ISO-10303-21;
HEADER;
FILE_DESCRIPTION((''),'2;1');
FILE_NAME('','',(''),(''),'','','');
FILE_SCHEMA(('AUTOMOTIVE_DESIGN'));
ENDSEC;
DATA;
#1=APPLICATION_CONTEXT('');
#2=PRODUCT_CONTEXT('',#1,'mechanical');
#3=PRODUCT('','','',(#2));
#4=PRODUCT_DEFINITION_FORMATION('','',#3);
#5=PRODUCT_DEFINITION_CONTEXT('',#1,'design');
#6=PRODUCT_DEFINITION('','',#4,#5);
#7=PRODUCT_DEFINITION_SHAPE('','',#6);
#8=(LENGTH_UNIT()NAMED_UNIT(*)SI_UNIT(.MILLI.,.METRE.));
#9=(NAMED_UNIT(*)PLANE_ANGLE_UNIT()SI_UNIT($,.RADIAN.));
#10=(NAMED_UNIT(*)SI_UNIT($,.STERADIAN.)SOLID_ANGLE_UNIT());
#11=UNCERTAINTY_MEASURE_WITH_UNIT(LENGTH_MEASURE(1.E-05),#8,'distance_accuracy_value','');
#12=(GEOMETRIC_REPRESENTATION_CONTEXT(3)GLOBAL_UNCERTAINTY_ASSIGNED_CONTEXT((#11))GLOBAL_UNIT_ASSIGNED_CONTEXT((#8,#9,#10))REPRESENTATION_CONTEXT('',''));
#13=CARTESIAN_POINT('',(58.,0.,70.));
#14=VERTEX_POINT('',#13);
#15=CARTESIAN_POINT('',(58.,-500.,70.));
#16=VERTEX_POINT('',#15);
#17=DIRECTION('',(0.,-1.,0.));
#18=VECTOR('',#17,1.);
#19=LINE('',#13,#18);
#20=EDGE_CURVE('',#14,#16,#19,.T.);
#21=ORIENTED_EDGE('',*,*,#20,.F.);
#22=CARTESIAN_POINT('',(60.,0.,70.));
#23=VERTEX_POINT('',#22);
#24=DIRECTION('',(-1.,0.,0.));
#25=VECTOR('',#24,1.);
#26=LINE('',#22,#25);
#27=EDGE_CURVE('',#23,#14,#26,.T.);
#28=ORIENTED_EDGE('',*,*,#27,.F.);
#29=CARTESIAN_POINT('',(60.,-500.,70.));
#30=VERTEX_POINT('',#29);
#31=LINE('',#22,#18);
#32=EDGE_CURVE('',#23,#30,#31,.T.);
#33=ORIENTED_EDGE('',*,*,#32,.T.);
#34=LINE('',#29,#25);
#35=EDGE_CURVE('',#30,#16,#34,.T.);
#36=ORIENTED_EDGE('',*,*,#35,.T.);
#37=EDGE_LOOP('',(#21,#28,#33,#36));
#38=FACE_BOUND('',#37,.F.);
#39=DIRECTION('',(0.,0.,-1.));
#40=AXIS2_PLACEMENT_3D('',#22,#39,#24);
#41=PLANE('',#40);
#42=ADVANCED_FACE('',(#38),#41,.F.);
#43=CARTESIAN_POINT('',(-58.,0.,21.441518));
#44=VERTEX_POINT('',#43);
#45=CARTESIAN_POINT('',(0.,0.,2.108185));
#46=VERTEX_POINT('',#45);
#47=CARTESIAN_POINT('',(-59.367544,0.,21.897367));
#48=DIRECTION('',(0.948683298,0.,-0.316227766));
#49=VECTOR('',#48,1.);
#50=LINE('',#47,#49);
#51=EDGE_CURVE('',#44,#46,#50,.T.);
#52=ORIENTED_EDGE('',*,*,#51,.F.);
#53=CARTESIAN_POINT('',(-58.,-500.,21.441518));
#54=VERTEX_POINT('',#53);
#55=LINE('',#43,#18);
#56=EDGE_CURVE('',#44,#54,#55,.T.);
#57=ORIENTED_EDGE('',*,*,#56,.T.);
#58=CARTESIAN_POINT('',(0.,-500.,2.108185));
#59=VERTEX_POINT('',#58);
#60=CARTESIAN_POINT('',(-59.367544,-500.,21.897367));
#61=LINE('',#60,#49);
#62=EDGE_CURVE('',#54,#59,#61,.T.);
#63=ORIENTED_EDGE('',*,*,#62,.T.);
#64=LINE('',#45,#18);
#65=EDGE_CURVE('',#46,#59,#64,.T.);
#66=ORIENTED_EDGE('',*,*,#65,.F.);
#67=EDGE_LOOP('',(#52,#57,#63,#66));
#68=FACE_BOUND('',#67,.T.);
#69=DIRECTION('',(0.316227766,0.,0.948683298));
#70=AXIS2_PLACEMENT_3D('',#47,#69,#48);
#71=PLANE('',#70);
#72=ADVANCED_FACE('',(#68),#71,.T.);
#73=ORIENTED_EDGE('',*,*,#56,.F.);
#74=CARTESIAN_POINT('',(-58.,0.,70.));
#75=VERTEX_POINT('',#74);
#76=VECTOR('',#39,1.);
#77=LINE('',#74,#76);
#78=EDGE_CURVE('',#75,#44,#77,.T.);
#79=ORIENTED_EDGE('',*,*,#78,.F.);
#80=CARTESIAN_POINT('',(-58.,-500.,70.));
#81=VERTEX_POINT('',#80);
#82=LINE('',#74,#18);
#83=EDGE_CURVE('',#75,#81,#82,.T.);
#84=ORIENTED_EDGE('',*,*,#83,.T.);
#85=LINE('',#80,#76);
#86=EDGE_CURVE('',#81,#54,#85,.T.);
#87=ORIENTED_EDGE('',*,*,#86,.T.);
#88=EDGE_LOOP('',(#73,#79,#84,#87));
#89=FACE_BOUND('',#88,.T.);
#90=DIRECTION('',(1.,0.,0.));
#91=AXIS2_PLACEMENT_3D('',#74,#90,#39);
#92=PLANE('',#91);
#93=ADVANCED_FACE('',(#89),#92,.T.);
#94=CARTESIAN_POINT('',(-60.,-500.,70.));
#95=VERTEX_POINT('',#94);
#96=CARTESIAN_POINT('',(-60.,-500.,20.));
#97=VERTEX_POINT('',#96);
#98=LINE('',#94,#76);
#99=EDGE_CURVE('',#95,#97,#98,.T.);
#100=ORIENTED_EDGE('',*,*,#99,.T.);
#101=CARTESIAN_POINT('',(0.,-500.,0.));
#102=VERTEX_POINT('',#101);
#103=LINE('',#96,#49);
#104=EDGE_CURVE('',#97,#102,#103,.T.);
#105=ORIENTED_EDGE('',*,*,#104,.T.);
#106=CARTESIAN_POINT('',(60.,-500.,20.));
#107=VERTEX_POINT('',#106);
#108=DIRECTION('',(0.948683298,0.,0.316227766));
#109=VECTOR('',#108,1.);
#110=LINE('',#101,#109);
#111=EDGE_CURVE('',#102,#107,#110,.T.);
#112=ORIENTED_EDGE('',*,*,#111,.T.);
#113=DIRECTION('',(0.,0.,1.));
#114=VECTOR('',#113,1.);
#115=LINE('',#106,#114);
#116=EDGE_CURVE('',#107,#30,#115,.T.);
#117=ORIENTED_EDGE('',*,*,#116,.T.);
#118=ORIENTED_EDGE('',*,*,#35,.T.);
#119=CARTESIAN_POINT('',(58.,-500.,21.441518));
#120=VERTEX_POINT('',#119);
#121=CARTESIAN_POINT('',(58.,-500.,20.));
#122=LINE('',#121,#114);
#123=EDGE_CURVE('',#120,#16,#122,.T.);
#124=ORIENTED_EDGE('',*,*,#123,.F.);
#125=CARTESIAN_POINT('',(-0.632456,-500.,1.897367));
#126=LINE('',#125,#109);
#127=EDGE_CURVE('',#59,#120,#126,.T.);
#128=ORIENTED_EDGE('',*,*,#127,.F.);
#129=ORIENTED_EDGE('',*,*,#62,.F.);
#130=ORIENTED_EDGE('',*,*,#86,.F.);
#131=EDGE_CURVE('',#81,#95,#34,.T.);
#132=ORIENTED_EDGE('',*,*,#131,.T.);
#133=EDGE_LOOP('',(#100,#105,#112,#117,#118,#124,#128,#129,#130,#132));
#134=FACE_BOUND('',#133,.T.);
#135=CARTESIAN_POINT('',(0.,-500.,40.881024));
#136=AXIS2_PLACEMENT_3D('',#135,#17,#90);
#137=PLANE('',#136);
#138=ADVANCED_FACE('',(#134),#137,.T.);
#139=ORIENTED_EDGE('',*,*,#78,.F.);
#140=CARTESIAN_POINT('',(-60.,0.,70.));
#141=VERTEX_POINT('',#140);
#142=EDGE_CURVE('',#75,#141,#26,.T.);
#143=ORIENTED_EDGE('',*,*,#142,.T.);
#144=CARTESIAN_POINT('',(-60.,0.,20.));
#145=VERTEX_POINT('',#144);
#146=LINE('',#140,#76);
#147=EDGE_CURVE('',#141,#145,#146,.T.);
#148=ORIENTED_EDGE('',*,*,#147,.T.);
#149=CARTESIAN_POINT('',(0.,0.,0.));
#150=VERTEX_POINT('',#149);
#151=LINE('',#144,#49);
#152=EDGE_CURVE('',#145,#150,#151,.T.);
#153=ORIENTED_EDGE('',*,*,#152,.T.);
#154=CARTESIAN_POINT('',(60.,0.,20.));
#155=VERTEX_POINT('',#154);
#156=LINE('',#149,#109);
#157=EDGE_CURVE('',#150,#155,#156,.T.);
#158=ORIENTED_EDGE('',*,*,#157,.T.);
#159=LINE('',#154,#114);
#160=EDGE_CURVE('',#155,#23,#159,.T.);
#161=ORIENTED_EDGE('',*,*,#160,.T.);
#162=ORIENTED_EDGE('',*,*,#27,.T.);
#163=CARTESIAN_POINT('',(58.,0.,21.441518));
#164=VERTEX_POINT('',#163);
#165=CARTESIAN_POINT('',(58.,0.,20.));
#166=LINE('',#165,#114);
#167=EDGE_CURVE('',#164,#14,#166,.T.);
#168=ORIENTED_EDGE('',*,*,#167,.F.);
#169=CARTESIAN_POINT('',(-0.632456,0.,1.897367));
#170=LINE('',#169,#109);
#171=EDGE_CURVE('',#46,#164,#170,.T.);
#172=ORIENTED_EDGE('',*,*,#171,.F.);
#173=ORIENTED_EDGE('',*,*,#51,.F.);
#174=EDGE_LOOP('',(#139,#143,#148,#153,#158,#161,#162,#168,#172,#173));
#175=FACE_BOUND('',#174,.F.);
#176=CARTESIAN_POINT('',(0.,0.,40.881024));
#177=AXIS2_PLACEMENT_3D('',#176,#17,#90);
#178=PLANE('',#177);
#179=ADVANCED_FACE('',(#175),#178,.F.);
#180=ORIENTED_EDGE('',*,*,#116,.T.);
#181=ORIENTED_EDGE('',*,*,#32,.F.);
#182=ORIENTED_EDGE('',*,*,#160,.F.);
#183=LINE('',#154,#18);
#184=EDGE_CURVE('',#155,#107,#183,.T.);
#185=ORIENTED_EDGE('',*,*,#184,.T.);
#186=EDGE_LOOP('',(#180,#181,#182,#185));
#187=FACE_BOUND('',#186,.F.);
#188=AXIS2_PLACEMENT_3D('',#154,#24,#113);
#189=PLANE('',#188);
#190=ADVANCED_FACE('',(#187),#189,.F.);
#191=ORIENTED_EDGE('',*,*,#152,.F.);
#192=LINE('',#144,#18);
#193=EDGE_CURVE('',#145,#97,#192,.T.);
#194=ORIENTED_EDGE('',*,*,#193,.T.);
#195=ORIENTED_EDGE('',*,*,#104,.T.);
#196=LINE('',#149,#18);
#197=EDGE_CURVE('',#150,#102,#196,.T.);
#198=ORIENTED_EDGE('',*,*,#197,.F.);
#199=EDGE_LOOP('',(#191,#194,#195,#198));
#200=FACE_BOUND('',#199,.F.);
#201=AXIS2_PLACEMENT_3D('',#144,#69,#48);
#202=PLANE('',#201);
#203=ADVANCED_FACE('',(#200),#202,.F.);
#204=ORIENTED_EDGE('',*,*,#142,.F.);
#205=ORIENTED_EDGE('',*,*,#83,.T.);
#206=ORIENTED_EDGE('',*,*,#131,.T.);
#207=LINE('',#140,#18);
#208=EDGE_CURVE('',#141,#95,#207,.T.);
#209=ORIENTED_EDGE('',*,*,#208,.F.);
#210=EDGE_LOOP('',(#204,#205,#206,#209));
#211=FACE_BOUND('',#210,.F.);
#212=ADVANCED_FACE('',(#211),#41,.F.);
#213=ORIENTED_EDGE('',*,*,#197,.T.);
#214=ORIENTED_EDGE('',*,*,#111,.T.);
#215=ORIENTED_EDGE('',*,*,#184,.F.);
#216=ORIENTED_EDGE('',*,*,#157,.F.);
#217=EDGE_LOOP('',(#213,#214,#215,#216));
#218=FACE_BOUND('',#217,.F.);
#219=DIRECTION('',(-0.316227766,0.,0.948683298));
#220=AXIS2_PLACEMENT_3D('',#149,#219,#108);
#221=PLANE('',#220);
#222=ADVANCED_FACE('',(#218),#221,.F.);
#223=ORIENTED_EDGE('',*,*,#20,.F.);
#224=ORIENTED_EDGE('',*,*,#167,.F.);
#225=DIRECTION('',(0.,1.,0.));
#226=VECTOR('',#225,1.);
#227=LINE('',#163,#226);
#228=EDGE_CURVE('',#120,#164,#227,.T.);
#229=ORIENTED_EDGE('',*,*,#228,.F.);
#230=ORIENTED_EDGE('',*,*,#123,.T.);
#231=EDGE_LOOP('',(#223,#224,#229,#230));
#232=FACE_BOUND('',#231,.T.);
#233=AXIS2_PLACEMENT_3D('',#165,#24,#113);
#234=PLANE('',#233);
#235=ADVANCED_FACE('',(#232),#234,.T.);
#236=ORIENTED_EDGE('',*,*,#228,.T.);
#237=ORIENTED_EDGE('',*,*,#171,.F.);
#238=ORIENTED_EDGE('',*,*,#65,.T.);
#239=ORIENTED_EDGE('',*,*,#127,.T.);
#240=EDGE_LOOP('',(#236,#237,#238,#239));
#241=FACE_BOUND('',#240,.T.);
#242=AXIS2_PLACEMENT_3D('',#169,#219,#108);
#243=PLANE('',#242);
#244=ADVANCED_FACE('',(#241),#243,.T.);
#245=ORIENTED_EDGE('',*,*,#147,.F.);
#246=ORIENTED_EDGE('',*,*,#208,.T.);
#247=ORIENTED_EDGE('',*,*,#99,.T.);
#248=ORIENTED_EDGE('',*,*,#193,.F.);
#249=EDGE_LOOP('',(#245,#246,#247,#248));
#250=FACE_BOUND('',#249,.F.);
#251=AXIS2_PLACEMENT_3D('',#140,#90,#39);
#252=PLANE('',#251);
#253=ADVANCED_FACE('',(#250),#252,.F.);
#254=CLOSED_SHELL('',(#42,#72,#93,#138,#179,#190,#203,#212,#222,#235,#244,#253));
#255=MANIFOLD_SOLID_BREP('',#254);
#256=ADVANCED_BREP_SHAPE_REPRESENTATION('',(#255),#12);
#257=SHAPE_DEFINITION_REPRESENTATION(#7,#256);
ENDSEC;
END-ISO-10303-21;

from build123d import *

# Parameters (mm, degrees)
F1_DEPTH = 500
F2_T     = -2


with BuildPart() as f1:
    # F0 (on Front) → F1 (new body)
    with BuildSketch(Plane.XZ):
        Polygon((60, 70), (-60, 70), (-60, 20), (0, 0), (60, 20), align=None)
    extrude(amount=F1_DEPTH)

    # F2
    f2_openings = [f1.faces().sort_by_distance(p)[0] for p in [
        (0, -250, 70),
        (0, -500, 39.722222),
        (0, 0, 39.722222),
    ]]
    offset(amount=F2_T, openings=f2_openings)


solid = f1.part
